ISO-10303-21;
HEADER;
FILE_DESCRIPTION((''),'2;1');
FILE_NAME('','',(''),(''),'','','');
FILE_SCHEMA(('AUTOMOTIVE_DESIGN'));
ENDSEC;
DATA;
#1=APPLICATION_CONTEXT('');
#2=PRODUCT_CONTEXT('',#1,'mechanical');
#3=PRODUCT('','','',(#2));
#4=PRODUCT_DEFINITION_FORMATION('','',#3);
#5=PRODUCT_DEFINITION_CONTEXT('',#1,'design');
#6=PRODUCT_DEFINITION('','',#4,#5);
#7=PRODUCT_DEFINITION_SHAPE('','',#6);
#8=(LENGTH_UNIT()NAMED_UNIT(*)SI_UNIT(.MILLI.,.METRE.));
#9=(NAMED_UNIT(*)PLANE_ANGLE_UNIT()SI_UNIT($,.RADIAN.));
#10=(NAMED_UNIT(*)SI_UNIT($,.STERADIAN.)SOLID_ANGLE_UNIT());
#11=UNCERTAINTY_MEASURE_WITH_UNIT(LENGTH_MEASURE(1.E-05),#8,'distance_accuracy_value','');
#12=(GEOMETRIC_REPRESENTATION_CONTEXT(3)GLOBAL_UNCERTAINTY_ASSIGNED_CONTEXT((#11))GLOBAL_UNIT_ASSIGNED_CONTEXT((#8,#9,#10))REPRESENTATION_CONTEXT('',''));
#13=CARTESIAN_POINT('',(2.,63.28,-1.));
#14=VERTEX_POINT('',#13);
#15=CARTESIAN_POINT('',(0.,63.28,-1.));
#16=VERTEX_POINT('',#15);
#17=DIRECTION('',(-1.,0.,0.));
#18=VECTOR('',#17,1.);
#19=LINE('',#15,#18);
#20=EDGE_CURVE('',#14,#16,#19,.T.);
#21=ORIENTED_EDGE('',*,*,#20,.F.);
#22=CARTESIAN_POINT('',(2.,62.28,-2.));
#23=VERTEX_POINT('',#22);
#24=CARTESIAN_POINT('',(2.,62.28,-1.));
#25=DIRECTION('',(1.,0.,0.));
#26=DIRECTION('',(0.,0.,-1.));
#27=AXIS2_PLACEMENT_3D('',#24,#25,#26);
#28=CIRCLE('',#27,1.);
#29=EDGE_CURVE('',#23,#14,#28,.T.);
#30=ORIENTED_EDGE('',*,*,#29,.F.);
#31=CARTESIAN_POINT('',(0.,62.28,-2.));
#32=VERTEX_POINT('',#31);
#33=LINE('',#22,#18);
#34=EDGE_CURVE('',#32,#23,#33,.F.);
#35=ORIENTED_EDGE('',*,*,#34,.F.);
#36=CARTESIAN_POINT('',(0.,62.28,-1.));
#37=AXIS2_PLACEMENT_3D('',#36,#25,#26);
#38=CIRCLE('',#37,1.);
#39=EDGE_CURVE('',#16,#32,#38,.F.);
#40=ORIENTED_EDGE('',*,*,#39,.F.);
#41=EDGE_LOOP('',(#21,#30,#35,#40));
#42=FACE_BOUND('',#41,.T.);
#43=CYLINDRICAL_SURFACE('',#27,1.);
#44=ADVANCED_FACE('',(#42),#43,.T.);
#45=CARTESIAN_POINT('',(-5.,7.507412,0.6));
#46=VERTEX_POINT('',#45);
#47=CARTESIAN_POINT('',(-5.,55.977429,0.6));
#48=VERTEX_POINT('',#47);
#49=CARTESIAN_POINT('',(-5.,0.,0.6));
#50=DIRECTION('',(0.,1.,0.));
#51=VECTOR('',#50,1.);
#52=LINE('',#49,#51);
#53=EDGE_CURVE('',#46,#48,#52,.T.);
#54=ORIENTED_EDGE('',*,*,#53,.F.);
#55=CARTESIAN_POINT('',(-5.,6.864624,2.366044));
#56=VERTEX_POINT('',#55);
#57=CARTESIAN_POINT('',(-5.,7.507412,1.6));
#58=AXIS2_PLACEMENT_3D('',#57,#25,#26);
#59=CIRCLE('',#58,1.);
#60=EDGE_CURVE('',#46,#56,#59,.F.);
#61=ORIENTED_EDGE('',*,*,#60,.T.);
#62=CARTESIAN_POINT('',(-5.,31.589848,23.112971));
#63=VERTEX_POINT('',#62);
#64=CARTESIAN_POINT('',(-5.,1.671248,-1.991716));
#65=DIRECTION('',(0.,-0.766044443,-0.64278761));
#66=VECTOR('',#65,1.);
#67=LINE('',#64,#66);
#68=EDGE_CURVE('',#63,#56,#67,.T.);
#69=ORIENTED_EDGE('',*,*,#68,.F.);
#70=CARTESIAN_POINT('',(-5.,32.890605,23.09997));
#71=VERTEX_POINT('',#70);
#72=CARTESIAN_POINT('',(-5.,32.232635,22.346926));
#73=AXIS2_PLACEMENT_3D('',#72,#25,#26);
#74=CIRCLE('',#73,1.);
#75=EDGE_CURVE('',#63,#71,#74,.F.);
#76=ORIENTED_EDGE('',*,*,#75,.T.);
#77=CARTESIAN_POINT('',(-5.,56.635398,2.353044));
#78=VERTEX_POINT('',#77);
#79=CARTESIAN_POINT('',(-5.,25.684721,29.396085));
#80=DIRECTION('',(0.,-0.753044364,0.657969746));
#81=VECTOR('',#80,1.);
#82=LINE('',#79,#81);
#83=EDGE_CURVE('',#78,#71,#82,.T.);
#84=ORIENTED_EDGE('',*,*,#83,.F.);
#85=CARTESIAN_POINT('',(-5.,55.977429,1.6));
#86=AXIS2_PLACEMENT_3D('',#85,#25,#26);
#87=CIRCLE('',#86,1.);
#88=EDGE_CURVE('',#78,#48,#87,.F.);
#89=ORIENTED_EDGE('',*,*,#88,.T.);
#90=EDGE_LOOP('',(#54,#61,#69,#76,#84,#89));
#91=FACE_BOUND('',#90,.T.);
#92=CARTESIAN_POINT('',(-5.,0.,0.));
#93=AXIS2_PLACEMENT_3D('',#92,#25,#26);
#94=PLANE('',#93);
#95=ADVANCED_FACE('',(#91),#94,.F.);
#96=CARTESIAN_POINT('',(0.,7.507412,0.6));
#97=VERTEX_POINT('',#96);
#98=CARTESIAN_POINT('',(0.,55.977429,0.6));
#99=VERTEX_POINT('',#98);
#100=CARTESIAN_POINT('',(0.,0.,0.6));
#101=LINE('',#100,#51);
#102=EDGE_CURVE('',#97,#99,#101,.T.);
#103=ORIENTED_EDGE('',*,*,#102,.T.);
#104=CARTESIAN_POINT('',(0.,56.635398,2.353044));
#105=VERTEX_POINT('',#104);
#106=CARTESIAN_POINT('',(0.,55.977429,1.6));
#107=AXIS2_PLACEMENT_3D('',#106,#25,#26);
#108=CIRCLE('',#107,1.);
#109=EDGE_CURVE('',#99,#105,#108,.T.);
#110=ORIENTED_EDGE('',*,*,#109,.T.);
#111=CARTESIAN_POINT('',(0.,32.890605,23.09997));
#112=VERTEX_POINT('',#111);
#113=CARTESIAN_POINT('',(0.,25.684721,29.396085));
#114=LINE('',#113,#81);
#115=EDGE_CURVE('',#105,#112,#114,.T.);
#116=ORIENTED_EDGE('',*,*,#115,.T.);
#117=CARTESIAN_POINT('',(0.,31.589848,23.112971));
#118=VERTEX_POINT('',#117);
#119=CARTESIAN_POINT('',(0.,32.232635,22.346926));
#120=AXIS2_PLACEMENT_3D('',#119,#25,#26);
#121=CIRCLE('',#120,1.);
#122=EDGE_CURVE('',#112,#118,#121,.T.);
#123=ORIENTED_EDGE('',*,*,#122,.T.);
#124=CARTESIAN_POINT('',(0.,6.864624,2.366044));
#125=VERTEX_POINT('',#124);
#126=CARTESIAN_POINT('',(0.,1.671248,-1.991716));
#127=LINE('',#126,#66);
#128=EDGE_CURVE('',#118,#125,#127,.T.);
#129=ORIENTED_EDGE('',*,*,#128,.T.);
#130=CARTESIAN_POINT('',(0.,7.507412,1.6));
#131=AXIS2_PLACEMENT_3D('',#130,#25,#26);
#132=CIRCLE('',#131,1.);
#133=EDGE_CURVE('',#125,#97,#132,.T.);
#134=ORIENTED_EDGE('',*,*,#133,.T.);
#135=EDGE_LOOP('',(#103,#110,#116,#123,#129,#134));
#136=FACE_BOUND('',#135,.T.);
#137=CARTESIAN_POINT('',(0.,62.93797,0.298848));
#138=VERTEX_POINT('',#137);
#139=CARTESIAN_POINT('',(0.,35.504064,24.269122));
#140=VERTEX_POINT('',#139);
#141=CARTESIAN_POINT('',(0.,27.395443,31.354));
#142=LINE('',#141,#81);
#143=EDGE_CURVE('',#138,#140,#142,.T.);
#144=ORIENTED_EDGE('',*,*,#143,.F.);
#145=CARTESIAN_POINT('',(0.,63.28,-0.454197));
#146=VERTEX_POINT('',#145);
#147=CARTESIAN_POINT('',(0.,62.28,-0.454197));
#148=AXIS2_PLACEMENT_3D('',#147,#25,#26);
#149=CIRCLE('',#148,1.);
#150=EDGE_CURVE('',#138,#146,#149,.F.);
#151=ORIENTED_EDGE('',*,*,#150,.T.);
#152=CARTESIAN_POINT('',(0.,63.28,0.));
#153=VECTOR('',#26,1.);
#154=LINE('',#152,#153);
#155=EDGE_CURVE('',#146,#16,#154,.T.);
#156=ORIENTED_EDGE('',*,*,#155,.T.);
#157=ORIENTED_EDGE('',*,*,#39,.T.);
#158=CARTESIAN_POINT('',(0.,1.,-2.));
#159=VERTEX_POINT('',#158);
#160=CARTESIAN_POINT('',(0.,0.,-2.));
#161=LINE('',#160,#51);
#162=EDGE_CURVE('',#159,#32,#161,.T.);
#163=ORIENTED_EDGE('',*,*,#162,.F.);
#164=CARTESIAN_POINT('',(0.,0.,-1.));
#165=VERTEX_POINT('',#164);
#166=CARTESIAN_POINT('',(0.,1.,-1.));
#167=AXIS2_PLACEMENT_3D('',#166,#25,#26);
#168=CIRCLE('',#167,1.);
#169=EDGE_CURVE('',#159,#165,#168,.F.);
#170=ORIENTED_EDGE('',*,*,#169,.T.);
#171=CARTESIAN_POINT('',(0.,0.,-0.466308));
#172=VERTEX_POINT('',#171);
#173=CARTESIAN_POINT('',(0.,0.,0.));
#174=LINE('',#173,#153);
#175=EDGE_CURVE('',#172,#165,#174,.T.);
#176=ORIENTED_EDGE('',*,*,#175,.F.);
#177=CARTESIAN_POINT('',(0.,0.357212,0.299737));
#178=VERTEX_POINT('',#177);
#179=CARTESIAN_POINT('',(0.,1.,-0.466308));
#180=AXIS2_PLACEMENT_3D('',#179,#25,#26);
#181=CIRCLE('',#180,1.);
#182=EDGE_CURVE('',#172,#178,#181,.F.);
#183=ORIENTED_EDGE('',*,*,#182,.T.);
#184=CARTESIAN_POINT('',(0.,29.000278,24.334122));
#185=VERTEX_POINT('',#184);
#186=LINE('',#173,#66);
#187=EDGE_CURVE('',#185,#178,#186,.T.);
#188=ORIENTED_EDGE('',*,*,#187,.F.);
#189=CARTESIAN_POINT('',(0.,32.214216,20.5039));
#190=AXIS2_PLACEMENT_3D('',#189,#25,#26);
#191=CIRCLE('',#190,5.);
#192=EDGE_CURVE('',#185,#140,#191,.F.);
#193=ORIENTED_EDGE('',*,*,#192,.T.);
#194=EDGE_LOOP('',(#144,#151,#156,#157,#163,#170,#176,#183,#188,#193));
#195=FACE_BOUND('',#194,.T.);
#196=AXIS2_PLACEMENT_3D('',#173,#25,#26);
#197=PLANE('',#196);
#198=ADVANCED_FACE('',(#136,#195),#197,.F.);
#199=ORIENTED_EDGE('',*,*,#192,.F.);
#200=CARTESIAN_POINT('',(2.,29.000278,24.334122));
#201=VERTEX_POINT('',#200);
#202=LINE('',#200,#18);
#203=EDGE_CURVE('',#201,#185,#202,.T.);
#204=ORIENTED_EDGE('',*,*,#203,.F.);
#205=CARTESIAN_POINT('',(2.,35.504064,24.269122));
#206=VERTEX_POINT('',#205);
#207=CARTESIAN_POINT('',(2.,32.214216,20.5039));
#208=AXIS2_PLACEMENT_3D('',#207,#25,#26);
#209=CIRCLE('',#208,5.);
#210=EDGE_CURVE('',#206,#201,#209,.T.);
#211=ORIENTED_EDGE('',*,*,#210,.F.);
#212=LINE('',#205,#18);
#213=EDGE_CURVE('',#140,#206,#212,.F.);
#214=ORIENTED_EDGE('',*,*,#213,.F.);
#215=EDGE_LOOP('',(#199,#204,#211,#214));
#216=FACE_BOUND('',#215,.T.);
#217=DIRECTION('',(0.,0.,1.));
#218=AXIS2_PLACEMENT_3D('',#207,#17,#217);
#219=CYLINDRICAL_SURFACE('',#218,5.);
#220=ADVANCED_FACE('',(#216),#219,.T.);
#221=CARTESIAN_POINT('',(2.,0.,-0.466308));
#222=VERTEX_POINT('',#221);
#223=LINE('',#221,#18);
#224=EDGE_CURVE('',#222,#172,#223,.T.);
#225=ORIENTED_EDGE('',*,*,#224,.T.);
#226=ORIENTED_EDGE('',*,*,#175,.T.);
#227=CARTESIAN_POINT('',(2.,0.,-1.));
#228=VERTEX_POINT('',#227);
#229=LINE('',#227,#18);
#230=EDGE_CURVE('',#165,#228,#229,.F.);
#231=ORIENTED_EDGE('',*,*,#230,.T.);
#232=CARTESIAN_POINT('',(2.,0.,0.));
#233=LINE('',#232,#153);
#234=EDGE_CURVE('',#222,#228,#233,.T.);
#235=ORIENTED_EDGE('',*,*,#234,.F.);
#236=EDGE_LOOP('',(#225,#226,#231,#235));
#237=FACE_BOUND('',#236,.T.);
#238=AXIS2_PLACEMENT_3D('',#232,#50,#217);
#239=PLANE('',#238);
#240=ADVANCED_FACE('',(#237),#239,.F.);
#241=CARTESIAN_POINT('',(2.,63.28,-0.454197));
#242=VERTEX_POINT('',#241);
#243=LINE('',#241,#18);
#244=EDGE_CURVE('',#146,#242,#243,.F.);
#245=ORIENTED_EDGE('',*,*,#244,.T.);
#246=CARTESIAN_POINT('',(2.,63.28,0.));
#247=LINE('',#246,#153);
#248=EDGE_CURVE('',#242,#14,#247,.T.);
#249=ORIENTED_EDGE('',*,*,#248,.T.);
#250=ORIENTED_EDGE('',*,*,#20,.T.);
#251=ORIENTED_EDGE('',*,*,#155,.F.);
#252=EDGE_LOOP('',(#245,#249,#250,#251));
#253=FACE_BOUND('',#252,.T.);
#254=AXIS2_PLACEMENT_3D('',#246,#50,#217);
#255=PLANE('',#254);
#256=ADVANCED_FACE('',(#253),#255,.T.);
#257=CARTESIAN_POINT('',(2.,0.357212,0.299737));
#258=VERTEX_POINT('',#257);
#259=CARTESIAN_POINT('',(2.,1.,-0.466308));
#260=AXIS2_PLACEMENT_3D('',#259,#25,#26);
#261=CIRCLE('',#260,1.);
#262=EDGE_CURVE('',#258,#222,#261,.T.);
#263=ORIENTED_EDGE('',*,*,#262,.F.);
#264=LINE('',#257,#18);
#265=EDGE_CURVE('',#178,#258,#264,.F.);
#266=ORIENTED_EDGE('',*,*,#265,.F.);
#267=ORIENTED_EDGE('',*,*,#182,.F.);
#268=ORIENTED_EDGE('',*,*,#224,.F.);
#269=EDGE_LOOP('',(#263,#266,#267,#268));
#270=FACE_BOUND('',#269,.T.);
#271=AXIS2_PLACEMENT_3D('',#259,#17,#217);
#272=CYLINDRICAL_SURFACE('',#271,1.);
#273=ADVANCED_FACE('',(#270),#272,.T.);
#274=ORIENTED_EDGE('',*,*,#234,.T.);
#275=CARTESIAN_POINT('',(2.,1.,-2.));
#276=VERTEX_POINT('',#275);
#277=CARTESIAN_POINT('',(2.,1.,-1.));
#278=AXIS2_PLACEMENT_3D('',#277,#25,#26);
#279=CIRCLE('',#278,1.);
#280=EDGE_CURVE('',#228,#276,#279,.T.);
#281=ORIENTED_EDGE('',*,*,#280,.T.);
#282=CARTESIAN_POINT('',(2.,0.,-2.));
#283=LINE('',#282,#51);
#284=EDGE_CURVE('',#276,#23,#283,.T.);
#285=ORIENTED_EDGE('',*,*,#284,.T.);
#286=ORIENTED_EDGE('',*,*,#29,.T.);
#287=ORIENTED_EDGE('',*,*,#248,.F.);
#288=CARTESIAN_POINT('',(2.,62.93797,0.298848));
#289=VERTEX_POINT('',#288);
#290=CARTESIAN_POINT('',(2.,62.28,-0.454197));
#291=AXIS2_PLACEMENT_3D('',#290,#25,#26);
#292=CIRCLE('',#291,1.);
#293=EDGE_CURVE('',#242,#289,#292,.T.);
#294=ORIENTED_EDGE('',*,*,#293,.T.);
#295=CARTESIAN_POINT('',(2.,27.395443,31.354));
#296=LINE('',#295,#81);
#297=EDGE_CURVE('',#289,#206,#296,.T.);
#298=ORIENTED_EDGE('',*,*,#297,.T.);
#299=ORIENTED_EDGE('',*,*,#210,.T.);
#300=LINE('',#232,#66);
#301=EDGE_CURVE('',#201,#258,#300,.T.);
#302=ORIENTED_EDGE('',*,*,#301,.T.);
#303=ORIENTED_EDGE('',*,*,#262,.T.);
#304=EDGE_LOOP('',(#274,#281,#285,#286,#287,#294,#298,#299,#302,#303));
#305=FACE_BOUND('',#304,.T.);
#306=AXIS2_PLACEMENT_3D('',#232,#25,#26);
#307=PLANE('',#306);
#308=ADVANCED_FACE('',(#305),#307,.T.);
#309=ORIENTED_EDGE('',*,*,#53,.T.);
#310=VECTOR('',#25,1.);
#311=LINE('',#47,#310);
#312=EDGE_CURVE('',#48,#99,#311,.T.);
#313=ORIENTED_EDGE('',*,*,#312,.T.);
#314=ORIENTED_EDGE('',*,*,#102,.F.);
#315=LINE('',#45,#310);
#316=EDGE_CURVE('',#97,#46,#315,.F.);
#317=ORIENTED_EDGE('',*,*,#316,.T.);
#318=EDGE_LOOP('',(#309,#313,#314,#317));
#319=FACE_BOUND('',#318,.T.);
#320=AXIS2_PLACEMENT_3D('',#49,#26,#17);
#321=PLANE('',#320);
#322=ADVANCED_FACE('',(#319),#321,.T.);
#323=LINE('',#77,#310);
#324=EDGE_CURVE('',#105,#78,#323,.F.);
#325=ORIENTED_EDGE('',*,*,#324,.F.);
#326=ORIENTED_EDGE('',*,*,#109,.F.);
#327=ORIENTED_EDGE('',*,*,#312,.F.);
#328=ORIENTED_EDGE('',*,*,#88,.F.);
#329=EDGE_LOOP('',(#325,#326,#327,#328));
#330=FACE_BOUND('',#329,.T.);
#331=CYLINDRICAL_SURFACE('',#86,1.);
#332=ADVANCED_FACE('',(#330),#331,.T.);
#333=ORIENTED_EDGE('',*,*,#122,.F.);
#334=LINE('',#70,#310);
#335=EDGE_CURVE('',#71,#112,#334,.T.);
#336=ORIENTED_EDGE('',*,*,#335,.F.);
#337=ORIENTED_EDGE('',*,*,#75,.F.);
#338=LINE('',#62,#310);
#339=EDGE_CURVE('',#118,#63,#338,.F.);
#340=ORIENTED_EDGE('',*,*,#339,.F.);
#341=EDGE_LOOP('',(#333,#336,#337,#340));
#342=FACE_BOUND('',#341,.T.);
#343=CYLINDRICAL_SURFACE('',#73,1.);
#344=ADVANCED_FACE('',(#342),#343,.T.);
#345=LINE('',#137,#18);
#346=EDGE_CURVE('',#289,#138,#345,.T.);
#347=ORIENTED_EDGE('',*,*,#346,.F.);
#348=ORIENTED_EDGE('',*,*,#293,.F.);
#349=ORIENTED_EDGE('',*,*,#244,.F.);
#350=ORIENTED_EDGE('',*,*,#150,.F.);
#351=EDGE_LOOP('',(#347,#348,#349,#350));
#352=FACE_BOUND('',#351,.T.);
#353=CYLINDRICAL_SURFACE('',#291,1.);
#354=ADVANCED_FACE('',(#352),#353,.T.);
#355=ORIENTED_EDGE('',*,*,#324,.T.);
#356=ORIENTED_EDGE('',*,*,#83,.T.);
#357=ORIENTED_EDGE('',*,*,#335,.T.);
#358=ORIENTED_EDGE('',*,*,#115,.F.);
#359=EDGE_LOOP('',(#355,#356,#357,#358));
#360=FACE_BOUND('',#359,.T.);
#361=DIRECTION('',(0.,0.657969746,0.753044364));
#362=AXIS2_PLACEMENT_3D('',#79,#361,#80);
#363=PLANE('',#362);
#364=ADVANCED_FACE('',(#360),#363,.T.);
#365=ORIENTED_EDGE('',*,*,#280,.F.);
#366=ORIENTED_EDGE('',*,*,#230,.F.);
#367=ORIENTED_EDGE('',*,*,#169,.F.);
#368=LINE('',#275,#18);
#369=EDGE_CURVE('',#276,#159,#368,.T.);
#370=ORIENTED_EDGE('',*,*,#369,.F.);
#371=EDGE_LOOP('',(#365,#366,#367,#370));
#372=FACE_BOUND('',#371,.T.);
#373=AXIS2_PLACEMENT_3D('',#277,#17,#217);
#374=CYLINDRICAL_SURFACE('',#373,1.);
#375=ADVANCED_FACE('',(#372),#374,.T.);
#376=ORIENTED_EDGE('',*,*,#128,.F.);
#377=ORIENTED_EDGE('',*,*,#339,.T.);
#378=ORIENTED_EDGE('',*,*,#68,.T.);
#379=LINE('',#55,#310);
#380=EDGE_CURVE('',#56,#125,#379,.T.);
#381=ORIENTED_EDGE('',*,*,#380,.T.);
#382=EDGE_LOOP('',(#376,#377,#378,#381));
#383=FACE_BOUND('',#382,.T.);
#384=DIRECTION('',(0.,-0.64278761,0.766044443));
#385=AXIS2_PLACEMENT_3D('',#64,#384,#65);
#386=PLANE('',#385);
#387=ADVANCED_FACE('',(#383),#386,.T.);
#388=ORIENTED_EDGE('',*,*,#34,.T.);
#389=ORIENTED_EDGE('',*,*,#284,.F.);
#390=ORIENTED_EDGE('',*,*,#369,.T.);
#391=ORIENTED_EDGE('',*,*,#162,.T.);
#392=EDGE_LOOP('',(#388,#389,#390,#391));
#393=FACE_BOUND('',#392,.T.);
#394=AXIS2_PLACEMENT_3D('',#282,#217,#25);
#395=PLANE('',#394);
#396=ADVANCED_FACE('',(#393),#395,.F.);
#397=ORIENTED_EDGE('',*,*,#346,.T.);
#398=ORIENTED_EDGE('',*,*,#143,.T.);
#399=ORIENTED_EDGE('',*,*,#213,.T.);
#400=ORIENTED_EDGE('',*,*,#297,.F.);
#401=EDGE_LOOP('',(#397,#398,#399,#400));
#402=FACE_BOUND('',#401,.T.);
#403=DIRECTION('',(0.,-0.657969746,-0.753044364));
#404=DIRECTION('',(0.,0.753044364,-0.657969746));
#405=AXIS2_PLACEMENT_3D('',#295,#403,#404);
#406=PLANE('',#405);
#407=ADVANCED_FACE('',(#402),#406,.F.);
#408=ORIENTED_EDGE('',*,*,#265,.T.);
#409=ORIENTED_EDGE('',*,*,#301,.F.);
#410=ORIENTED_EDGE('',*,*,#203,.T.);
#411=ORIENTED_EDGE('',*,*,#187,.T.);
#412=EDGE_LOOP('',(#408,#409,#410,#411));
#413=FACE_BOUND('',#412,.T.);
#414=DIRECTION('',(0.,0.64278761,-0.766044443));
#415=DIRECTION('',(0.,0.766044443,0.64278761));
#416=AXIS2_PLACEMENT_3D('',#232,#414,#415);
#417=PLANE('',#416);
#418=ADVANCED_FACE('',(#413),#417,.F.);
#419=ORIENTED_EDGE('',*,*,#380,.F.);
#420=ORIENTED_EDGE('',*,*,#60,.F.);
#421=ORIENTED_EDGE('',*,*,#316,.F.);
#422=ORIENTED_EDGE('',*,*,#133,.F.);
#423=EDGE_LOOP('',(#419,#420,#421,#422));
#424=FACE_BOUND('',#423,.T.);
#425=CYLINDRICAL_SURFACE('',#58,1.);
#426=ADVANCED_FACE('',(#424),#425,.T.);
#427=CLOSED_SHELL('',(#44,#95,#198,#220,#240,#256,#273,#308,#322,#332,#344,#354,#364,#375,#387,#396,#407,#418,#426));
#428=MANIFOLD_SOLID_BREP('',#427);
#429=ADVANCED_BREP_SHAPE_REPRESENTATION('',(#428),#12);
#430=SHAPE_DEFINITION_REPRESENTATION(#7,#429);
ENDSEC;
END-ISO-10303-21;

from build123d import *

# Parameters (mm, degrees)
BOSS_EXTRUDE1_DEPTH = 5
BOSS_EXTRUDE2_DEPTH = 2
FILLET1_R           = 5
FILLET2_R           = 1
FILLET3_R           = 1


with BuildPart() as part:
    # Sketch32 → Boss-Extrude1 (new body)
    with BuildSketch(Plane(origin=(0, 0, 0), x_dir=(0, 0, -1), z_dir=(1, 0, 0))):
        Polygon((-23.663373299, 32.245792092), (-0.6, 4.759934105), (-0.6, 58.641752364), align=None)
    extrude(amount=-BOSS_EXTRUDE1_DEPTH)

    # Sketch33 → Boss-Extrude2 (add)
    with BuildSketch(Plane(origin=(0, 0, 0), x_dir=(0, 0, -1), z_dir=(1, 0, 0))):
        Polygon((0, 0), (2, 0), (2, 63.28), (0, 63.28), (-27.086136094, 32.28), align=None)
    extrude(amount=BOSS_EXTRUDE2_DEPTH)

    # Fillet1
    fillet1_edges = [part.edges().sort_by_distance(p)[0] for p in [
        (1, 32.28, 27.086136094),
    ]]
    fillet(fillet1_edges, radius=FILLET1_R)

    # Fillet2
    fillet2_edges = [part.edges().sort_by_distance(p)[0] for p in [
        (-2.5, 32.245792092, 23.663373299),
        (-2.5, 58.641752364, 0.6),
        (-2.5, 4.759934105, 0.6),
    ]]
    fillet(fillet2_edges, radius=FILLET2_R)

    # Fillet3
    fillet3_edges = [part.edges().sort_by_distance(p)[0] for p in [
        (1, 0, 0),
        (1, 0, -2),
        (1, 63.28, -2),
        (1, 63.28, 0),
    ]]
    fillet(fillet3_edges, radius=FILLET3_R)


solid = part.part
